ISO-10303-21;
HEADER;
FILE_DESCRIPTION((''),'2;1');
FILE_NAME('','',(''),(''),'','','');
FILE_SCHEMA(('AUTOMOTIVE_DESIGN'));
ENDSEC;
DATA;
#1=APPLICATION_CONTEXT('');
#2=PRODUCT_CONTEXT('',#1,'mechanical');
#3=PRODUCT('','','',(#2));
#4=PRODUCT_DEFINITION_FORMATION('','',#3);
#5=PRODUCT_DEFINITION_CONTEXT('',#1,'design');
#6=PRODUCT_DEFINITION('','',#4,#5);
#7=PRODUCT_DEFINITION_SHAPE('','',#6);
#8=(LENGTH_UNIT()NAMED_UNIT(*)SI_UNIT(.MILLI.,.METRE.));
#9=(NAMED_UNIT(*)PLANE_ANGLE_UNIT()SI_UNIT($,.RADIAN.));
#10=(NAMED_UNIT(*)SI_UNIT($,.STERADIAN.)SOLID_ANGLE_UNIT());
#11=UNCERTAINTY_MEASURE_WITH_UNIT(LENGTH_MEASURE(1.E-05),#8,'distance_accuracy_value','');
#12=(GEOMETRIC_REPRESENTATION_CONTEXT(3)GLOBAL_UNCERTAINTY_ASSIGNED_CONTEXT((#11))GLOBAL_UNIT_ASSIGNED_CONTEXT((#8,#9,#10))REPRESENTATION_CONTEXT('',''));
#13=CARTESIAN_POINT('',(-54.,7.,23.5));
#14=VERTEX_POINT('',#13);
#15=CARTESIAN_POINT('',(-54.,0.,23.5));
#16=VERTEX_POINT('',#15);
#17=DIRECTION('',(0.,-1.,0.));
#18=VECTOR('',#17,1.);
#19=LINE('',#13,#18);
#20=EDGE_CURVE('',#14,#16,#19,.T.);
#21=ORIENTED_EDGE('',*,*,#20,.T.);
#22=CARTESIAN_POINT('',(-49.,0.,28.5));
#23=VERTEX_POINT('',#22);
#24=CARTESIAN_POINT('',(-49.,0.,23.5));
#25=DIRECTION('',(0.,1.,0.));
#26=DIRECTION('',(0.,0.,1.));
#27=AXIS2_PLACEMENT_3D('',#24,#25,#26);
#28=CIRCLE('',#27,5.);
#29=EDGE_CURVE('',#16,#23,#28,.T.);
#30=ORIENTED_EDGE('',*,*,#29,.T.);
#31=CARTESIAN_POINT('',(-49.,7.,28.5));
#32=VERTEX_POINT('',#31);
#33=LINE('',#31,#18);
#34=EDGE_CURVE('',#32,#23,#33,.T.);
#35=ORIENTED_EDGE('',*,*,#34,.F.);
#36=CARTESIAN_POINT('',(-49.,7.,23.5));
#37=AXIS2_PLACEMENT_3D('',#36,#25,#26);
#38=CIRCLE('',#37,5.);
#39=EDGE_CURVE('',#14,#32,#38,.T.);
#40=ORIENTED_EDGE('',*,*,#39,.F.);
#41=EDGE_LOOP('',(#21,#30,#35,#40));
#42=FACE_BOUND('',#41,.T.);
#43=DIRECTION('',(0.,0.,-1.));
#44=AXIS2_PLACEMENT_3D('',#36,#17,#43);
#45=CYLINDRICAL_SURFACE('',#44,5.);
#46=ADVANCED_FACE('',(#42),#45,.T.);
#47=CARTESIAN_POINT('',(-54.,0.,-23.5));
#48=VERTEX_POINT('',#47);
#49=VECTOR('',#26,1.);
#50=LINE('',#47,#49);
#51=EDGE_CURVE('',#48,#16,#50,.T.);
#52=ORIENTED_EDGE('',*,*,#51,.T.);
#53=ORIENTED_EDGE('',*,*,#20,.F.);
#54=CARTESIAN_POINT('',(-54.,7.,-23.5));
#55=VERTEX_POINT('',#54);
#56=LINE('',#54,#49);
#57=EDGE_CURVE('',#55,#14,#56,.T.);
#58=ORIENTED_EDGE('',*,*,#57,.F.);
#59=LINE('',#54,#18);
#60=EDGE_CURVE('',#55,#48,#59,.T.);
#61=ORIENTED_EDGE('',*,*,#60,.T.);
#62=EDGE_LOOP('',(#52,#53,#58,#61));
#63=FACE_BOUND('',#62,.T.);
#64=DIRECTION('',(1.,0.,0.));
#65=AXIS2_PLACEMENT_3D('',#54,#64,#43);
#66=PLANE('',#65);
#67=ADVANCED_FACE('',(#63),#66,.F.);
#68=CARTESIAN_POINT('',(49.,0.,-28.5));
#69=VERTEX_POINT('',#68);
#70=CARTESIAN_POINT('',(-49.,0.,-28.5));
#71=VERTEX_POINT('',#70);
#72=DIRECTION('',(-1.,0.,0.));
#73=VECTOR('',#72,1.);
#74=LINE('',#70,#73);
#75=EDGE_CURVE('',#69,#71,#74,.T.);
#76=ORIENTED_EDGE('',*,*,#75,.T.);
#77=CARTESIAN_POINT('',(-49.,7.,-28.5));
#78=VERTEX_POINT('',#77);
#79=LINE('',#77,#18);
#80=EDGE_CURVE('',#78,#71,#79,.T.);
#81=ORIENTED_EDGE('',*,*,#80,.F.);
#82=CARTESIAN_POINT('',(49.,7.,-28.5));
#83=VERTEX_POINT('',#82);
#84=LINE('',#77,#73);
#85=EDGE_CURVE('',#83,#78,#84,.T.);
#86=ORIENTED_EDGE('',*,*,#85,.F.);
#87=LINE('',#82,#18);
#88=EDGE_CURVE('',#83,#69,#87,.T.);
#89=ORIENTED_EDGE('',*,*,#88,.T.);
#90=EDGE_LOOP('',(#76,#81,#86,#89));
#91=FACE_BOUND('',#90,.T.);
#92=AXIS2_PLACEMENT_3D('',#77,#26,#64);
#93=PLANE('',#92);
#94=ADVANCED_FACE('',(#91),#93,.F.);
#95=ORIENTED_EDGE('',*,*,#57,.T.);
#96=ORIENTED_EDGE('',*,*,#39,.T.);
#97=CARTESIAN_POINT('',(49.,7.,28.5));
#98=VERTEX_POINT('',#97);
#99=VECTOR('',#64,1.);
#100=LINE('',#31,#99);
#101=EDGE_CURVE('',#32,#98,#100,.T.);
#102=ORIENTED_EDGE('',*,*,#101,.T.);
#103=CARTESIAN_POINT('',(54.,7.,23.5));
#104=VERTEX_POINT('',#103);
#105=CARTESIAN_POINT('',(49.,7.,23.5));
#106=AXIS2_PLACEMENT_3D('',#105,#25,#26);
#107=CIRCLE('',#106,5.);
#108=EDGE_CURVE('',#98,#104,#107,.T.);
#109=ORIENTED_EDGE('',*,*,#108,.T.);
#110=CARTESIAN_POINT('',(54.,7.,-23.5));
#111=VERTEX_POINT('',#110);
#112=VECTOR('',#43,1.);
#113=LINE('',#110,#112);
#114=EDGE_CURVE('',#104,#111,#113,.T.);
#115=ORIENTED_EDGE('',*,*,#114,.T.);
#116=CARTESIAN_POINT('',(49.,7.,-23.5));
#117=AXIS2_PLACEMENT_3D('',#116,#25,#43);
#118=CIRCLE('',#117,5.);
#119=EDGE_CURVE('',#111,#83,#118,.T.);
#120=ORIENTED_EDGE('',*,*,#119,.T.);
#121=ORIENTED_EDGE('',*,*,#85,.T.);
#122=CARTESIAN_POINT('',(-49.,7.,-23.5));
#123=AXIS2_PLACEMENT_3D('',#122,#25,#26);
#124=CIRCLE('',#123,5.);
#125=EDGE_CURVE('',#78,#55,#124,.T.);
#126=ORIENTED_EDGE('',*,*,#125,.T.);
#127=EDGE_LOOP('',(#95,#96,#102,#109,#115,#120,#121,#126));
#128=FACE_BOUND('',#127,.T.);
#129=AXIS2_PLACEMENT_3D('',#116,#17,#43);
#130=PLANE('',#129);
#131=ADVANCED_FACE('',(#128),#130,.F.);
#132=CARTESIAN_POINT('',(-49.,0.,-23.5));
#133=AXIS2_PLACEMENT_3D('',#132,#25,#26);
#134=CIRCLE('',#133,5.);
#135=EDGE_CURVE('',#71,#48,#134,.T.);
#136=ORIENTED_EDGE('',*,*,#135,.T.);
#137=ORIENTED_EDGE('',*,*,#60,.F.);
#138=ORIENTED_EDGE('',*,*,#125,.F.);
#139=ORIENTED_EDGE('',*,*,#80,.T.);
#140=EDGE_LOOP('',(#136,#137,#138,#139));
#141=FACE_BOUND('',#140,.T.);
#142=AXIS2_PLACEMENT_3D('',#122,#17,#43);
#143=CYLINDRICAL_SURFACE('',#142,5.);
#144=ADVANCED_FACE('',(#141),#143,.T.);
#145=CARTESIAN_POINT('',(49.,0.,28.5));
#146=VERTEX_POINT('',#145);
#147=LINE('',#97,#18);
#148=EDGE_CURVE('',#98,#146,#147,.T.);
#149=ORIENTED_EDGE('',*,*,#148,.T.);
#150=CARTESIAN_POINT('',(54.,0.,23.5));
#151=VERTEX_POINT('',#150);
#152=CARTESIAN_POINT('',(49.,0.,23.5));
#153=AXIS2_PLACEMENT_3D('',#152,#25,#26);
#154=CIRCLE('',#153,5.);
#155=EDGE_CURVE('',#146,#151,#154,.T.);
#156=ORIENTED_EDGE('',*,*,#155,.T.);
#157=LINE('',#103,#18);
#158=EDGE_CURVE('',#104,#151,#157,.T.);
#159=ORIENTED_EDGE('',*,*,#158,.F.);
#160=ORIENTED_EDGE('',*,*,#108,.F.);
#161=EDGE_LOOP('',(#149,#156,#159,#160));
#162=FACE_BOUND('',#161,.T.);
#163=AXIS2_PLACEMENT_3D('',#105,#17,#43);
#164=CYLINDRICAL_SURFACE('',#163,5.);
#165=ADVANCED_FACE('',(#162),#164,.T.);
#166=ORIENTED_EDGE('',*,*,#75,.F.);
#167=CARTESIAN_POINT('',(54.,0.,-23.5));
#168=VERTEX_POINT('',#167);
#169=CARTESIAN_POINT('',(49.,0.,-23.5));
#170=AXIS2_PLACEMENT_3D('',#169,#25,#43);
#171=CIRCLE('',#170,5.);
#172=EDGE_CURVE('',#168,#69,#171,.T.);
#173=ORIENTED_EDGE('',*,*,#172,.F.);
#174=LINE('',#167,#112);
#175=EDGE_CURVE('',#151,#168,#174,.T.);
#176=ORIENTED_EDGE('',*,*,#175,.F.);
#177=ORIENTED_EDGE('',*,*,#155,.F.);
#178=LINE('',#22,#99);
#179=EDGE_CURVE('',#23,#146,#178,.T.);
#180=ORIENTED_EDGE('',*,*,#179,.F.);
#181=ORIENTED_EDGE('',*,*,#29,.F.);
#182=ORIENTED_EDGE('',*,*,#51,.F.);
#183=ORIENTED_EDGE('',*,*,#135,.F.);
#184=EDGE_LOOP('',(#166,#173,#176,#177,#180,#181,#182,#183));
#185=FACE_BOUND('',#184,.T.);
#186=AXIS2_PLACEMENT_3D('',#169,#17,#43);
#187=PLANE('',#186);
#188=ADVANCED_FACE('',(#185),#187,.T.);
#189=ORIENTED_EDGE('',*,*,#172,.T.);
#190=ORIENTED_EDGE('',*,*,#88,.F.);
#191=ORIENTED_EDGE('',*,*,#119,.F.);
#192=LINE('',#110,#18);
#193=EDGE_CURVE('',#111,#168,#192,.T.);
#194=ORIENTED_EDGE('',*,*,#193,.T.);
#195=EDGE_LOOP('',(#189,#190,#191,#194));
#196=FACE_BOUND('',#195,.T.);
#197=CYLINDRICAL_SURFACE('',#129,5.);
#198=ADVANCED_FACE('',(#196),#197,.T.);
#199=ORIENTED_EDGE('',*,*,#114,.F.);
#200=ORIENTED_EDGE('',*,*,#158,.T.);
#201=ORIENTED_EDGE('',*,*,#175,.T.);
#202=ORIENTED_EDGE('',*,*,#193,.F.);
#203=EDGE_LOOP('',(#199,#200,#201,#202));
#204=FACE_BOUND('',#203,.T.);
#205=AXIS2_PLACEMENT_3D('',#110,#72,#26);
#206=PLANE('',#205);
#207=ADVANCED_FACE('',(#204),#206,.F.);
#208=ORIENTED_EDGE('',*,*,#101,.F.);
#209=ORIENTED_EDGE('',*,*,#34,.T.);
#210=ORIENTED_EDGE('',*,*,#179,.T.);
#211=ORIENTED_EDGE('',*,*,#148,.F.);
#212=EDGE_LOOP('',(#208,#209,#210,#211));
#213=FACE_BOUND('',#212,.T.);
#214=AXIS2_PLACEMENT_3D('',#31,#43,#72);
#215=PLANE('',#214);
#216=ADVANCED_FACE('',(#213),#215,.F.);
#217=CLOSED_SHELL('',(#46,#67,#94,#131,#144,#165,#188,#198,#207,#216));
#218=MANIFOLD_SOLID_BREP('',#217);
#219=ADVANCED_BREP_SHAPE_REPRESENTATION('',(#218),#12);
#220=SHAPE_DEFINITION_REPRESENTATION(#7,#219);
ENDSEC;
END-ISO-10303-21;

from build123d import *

# Parameters (mm, degrees)
BOSS_EXTRUDE1_DEPTH = 7


with BuildPart() as part:
    # Sketch1 → Boss-Extrude1 (new body)
    with BuildSketch(Plane(origin=(0, 0, 0), x_dir=(1, 0, 0), z_dir=(0, 1, 0))):
        with BuildLine():
            Line((-49, 28.5), (49, 28.5))
            ThreePointArc((49, 28.5), (52.535533906, 27.035533906), (54, 23.5))
            Line((54, 23.5), (54, -23.5))
            ThreePointArc((54, -23.5), (52.535533906, -27.035533906), (49, -28.5))
            Line((49, -28.5), (-49, -28.5))
            ThreePointArc((-49, -28.5), (-52.535533906, -27.035533906), (-54, -23.5))
            Line((-54, -23.5), (-54, 23.5))
            ThreePointArc((-54, 23.5), (-52.535533906, 27.035533906), (-49, 28.5))
        make_face()
    extrude(amount=BOSS_EXTRUDE1_DEPTH)


solid = part.part
